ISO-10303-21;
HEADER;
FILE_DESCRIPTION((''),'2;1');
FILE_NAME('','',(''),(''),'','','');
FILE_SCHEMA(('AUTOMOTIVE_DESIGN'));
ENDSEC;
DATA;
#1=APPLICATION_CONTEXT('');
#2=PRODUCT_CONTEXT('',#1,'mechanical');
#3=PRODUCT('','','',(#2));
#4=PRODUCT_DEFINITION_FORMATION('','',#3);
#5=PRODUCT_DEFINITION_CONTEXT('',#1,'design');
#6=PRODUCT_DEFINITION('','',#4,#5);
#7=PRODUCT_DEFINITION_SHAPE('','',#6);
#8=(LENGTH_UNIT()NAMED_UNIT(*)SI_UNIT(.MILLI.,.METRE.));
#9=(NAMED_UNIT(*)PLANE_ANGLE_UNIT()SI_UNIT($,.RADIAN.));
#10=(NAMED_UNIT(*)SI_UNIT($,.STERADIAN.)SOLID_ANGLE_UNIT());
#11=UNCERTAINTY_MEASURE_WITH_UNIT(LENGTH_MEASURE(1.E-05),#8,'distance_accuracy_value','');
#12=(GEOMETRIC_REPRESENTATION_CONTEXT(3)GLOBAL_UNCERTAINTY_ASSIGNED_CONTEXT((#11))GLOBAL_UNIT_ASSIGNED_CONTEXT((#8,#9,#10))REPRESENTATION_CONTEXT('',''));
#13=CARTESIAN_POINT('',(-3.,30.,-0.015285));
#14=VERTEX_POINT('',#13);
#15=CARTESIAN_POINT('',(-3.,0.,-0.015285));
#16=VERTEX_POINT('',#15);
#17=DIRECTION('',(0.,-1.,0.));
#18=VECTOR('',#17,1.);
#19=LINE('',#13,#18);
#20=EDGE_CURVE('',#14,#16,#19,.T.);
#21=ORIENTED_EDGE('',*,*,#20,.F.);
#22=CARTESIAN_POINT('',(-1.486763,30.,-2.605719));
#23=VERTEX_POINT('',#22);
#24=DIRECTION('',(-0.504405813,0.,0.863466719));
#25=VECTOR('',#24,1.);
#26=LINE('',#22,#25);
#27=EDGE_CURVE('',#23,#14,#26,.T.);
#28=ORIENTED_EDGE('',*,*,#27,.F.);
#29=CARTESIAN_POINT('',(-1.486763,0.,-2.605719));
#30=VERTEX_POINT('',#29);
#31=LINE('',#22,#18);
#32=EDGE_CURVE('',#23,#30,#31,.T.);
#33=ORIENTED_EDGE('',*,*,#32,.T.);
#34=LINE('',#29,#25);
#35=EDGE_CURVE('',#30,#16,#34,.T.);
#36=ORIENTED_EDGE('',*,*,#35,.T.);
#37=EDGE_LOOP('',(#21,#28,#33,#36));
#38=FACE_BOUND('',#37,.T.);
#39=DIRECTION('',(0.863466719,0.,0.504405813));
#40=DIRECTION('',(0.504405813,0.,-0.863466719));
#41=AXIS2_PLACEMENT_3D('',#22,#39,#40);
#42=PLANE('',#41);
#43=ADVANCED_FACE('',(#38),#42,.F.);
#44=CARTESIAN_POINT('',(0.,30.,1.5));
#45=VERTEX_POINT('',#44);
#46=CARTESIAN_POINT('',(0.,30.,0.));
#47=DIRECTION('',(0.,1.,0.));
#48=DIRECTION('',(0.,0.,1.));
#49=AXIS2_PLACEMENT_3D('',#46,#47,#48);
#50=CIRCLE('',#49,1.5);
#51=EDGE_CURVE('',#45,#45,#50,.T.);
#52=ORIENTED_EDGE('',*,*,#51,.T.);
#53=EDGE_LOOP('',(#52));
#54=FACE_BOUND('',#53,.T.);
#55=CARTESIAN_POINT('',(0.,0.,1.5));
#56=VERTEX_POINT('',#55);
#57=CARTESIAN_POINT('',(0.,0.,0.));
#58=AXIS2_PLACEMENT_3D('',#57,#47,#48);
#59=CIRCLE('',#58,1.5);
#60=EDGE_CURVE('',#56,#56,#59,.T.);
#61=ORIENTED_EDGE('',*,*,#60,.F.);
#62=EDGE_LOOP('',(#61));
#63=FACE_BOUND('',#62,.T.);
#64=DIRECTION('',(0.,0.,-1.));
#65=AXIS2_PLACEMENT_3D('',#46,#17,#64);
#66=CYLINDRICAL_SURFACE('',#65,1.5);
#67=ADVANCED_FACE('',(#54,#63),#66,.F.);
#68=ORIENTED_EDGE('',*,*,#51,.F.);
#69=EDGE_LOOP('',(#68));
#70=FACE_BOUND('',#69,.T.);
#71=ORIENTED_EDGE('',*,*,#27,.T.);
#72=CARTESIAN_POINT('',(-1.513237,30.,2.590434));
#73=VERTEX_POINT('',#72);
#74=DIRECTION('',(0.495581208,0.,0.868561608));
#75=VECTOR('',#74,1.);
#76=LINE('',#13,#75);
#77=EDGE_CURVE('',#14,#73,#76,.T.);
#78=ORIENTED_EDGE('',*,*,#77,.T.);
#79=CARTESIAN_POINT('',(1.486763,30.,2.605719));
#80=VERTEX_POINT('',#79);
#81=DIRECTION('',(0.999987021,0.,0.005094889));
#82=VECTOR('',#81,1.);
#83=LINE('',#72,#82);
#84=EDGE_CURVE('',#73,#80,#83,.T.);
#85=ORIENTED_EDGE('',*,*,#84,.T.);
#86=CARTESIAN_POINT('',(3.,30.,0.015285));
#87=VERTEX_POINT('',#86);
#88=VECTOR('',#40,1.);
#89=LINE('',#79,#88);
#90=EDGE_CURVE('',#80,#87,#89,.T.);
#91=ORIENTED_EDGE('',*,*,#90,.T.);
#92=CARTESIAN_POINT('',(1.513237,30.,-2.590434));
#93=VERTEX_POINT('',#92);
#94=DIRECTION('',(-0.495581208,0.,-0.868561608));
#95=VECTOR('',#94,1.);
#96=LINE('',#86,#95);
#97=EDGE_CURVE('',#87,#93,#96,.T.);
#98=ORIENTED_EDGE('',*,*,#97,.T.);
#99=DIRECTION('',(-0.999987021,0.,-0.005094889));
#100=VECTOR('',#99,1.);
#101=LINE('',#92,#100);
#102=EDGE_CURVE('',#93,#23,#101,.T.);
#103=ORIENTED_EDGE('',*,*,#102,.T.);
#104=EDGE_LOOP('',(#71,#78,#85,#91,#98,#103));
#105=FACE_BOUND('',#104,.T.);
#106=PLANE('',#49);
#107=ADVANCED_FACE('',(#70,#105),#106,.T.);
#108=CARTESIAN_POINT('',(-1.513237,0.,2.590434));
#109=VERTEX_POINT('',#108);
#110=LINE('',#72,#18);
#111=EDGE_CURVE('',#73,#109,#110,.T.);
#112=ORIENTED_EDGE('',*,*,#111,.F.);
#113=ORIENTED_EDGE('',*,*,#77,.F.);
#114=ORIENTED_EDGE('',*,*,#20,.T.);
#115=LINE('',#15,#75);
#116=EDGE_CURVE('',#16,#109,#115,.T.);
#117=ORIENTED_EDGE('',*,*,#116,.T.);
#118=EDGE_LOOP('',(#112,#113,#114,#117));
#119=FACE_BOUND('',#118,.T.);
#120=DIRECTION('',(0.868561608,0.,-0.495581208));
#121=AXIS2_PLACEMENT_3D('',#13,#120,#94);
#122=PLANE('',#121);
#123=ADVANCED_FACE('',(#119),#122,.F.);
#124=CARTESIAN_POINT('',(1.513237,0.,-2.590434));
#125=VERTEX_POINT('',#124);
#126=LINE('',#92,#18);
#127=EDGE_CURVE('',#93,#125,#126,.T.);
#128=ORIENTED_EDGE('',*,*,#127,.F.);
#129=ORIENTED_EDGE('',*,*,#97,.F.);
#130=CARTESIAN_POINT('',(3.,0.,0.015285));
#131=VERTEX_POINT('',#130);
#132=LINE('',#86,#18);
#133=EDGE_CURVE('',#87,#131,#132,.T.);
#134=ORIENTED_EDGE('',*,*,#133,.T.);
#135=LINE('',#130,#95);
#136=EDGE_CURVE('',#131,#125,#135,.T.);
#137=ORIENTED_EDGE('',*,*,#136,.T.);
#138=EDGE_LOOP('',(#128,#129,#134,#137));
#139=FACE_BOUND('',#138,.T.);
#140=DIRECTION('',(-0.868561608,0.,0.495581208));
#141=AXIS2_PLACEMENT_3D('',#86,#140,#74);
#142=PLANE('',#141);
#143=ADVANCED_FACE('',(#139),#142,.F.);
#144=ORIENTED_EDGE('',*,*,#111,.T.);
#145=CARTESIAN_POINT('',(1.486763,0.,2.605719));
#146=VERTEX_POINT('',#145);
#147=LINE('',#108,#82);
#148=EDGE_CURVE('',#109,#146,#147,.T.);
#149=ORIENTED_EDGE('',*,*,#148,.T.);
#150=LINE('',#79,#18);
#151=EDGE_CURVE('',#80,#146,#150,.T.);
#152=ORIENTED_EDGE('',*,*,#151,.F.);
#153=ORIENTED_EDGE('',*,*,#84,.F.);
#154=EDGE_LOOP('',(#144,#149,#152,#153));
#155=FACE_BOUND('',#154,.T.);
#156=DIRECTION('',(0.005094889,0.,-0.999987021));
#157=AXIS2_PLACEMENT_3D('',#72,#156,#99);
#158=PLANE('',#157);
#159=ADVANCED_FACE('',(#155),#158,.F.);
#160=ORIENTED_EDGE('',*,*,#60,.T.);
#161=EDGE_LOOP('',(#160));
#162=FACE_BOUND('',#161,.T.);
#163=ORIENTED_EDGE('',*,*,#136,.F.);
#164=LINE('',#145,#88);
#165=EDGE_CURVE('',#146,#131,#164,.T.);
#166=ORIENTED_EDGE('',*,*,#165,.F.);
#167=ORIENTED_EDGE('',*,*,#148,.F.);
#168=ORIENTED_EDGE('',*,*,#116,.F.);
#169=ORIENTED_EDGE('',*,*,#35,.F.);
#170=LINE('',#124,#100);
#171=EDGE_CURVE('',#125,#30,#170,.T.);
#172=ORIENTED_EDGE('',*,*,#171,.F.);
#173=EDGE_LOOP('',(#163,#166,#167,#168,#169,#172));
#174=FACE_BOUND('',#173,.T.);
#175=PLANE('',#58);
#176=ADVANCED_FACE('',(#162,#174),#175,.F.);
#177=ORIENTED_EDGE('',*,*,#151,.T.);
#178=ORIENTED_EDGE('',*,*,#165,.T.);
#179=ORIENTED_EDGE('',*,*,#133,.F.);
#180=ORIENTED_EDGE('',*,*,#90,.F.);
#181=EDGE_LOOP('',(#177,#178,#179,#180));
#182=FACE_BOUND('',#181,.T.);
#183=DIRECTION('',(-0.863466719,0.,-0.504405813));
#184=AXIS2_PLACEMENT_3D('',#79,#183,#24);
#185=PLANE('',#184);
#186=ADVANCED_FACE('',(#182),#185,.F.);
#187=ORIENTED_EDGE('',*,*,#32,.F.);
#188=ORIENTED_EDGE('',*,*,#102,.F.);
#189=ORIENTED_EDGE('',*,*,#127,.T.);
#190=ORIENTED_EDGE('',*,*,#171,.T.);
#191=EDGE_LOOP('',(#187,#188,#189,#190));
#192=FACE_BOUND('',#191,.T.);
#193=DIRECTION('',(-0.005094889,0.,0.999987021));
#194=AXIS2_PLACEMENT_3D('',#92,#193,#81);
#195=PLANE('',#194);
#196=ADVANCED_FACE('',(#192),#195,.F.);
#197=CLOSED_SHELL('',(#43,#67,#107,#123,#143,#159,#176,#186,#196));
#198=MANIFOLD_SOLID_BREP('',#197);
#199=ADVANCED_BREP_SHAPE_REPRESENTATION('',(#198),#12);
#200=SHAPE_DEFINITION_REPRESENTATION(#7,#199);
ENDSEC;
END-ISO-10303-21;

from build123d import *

# Parameters (mm, degrees)
SKETCH_1_R      = 1.5
EXTRUDE_1_DEPTH = 30


with BuildPart() as part:
    # 草图1 → 凸台-拉伸1 (new body)
    with BuildSketch(Plane(origin=(0, 0, 0), x_dir=(1, 0, 0), z_dir=(0, 1, 0))):
        Polygon((1.513237081, 2.590433779), (-1.486762919, 2.605718643), (-3, 0.015284864), (-1.513237081, -2.590433779), (1.486762919, -2.605718643), (3, -0.015284864), align=None)
        with Locations(Location((0, 0, 0), (0, 0, 270))):
            Circle(SKETCH_1_R, mode=Mode.SUBTRACT)
    extrude(amount=EXTRUDE_1_DEPTH)


solid = part.part
